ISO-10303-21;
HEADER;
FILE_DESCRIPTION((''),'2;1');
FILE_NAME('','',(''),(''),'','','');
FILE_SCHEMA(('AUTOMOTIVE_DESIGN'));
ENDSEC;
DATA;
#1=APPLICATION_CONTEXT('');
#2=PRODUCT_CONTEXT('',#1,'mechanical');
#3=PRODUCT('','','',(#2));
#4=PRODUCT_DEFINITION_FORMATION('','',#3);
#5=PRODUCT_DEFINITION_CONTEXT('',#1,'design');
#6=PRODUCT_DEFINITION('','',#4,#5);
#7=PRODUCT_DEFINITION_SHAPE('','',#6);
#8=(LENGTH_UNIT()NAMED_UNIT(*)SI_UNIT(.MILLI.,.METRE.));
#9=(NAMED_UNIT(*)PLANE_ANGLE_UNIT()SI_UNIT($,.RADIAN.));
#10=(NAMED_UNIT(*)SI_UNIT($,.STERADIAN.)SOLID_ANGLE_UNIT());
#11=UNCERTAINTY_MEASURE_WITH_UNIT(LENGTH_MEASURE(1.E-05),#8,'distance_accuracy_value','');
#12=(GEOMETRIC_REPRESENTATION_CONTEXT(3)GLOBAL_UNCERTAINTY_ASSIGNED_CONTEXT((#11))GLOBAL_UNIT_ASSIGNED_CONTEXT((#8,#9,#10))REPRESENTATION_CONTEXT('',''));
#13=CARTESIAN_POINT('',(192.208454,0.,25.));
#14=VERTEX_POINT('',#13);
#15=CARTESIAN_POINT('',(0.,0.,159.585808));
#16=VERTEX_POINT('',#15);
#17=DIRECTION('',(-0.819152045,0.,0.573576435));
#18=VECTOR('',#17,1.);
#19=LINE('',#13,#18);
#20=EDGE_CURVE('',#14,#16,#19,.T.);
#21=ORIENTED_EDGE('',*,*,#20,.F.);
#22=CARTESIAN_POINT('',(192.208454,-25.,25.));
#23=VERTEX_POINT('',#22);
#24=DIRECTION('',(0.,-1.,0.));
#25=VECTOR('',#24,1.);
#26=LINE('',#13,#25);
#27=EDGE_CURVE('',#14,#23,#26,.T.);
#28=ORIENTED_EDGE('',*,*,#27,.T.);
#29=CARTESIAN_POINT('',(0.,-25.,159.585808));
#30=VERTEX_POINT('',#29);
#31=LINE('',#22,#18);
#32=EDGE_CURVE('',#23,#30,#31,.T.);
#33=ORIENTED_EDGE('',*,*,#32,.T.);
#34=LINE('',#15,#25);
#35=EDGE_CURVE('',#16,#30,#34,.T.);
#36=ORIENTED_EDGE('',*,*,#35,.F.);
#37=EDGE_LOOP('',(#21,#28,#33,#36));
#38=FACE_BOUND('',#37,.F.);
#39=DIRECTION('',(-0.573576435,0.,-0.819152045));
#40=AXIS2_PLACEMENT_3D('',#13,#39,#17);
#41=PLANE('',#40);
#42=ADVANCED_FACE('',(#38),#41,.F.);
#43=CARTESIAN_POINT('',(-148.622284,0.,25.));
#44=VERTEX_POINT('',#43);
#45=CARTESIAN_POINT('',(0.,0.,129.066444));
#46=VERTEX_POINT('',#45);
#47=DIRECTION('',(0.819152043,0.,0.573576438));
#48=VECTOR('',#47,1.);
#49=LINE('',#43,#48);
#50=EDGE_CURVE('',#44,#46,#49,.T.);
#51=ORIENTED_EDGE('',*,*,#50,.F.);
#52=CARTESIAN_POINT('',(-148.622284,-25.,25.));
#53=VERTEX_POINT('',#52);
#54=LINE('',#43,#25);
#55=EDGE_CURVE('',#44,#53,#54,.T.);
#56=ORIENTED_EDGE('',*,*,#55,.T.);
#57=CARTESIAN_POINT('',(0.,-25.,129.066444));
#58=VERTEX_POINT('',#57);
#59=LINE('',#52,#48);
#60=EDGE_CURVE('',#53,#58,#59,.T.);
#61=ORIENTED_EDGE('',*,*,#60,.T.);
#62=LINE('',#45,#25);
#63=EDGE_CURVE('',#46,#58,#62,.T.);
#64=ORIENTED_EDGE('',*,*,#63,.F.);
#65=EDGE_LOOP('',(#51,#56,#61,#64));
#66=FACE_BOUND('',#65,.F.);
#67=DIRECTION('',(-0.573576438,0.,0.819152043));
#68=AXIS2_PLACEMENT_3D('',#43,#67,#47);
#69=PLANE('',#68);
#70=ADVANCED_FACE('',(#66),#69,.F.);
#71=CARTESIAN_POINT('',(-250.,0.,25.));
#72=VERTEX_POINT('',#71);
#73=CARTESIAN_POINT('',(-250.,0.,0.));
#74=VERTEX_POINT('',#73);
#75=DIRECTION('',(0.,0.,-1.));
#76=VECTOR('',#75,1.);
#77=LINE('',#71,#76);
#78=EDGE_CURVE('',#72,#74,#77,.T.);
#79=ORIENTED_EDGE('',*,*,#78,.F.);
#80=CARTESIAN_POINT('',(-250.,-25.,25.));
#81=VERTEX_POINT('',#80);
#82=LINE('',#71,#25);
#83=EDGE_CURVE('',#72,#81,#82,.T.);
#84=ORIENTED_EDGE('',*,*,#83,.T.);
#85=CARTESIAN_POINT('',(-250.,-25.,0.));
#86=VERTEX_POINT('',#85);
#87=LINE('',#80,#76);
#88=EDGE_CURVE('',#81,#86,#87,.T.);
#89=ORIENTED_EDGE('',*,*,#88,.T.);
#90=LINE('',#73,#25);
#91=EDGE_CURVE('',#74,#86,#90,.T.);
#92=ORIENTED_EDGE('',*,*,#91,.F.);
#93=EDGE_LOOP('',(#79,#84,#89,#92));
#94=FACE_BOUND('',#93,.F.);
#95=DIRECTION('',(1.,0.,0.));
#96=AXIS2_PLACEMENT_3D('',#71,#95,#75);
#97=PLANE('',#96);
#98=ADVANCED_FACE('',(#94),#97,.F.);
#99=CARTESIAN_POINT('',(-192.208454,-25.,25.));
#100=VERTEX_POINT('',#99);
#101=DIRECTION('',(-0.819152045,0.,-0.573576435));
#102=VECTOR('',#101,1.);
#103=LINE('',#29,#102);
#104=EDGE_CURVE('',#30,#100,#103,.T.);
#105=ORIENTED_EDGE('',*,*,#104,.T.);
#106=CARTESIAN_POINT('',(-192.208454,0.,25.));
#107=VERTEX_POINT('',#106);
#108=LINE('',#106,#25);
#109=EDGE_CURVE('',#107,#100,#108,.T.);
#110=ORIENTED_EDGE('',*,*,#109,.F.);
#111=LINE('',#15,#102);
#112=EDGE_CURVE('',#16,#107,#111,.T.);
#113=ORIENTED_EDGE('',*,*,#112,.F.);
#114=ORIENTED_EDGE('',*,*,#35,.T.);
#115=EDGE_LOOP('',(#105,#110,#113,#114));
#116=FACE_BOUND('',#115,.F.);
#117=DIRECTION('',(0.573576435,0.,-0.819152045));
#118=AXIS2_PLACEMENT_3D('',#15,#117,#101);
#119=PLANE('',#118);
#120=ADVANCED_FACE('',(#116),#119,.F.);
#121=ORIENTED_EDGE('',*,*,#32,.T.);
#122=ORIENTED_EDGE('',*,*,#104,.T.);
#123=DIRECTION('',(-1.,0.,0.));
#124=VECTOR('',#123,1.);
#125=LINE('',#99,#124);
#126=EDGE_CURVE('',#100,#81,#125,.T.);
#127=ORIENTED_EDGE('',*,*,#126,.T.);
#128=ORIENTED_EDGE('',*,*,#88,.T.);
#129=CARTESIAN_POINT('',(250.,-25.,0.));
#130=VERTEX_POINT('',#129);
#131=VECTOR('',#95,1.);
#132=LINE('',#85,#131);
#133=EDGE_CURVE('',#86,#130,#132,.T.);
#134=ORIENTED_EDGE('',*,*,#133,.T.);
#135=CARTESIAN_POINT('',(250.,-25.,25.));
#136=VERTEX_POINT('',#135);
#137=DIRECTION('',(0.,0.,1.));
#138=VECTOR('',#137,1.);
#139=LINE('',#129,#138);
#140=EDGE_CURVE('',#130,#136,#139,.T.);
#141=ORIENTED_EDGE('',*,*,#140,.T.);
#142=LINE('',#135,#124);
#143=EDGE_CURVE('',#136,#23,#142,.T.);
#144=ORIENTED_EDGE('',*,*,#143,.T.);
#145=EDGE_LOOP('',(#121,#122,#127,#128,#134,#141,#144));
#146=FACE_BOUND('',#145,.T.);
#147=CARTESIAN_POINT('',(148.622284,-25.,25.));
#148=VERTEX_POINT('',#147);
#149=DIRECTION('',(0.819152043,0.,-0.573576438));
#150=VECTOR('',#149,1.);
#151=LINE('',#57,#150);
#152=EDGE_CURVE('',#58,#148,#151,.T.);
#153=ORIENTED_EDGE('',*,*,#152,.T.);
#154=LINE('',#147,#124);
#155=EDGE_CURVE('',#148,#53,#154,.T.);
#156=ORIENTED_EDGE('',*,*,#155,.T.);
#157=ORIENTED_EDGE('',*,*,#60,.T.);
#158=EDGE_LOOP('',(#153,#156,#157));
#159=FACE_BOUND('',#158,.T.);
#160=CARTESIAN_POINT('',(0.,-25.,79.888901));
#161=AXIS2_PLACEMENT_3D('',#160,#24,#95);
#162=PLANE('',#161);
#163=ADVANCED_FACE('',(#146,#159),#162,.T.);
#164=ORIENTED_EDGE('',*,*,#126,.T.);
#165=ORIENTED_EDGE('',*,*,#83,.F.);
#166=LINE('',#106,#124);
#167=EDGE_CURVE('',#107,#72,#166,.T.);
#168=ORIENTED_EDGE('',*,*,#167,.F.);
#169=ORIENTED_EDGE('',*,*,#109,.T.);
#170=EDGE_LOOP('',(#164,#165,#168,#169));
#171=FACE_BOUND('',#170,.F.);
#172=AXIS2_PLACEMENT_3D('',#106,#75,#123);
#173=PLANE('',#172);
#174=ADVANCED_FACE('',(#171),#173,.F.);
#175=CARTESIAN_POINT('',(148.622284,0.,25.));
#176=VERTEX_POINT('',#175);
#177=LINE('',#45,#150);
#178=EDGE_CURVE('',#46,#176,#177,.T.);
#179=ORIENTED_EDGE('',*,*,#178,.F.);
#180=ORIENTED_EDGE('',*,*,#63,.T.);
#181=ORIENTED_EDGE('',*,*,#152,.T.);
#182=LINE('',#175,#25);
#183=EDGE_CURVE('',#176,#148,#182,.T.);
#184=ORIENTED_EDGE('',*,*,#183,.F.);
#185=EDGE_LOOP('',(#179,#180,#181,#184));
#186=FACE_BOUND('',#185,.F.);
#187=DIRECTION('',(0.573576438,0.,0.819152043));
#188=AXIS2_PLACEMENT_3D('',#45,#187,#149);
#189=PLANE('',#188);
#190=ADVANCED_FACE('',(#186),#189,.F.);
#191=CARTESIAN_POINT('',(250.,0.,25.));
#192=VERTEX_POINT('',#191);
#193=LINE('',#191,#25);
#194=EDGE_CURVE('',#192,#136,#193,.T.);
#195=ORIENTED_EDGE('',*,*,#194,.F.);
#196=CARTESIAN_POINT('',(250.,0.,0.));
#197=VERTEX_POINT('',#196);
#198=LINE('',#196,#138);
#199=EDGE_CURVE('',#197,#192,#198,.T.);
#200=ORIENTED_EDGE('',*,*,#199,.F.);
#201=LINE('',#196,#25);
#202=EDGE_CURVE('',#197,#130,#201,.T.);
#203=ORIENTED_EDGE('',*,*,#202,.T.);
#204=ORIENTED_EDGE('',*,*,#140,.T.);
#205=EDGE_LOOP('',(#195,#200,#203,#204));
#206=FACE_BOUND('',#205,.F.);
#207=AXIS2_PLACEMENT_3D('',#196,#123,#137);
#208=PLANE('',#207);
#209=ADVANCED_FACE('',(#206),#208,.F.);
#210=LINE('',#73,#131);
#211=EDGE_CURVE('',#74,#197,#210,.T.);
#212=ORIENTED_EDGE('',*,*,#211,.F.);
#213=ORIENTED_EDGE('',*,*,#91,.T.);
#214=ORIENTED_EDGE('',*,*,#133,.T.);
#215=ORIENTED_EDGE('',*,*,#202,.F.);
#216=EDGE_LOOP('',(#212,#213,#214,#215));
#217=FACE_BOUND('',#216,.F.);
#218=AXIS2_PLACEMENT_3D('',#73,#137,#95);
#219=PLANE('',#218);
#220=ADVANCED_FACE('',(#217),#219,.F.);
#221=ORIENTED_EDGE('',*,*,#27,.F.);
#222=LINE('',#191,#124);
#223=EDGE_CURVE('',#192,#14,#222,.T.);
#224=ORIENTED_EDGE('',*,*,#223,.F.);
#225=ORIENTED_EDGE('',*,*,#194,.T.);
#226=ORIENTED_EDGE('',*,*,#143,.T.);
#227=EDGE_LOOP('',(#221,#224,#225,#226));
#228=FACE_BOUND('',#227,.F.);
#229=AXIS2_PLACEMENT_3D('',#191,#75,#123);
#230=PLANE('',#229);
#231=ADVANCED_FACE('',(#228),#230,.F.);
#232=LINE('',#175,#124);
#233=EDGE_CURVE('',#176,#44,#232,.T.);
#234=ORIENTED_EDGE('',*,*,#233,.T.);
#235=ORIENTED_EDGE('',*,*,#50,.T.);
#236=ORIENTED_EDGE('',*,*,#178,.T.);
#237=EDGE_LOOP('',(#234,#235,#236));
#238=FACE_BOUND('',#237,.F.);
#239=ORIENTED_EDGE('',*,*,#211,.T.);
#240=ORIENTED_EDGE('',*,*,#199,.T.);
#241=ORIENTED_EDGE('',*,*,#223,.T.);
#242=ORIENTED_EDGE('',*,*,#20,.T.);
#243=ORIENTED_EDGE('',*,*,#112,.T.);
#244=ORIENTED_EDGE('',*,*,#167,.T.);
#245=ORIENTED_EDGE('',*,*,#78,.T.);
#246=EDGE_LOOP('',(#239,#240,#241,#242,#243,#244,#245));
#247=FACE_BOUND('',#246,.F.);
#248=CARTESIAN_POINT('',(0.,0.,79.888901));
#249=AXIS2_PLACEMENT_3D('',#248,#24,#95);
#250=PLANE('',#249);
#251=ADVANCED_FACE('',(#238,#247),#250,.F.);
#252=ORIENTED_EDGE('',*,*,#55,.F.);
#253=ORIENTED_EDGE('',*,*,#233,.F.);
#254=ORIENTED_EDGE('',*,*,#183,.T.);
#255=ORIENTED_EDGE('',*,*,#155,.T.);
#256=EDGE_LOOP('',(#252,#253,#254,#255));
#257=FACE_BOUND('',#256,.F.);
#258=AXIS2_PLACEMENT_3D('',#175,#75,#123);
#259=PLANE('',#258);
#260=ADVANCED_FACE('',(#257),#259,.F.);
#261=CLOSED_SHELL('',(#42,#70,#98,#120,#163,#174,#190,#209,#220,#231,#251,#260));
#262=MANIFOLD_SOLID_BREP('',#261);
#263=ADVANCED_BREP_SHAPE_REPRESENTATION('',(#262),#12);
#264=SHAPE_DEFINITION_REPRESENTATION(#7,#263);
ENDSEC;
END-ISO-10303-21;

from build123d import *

# Parameters (mm, degrees)
F1_DEPTH = 25


with BuildPart() as f1:
    # F0 (on Front) → F1 (new body)
    with BuildSketch(Plane.XZ):
        Polygon((0, 159.585808), (-192.208454, 25), (-148.622284, 25), (0, 129.066444), (148.622284, 25), (192.208454, 25), align=None)
        Polygon((-250, 25), (-250, 0), (250, 0), (250, 25), (192.208454, 25), (148.622284, 25), (-148.622284, 25), (-192.208454, 25), align=None)
    extrude(amount=F1_DEPTH)


solid = f1.part
